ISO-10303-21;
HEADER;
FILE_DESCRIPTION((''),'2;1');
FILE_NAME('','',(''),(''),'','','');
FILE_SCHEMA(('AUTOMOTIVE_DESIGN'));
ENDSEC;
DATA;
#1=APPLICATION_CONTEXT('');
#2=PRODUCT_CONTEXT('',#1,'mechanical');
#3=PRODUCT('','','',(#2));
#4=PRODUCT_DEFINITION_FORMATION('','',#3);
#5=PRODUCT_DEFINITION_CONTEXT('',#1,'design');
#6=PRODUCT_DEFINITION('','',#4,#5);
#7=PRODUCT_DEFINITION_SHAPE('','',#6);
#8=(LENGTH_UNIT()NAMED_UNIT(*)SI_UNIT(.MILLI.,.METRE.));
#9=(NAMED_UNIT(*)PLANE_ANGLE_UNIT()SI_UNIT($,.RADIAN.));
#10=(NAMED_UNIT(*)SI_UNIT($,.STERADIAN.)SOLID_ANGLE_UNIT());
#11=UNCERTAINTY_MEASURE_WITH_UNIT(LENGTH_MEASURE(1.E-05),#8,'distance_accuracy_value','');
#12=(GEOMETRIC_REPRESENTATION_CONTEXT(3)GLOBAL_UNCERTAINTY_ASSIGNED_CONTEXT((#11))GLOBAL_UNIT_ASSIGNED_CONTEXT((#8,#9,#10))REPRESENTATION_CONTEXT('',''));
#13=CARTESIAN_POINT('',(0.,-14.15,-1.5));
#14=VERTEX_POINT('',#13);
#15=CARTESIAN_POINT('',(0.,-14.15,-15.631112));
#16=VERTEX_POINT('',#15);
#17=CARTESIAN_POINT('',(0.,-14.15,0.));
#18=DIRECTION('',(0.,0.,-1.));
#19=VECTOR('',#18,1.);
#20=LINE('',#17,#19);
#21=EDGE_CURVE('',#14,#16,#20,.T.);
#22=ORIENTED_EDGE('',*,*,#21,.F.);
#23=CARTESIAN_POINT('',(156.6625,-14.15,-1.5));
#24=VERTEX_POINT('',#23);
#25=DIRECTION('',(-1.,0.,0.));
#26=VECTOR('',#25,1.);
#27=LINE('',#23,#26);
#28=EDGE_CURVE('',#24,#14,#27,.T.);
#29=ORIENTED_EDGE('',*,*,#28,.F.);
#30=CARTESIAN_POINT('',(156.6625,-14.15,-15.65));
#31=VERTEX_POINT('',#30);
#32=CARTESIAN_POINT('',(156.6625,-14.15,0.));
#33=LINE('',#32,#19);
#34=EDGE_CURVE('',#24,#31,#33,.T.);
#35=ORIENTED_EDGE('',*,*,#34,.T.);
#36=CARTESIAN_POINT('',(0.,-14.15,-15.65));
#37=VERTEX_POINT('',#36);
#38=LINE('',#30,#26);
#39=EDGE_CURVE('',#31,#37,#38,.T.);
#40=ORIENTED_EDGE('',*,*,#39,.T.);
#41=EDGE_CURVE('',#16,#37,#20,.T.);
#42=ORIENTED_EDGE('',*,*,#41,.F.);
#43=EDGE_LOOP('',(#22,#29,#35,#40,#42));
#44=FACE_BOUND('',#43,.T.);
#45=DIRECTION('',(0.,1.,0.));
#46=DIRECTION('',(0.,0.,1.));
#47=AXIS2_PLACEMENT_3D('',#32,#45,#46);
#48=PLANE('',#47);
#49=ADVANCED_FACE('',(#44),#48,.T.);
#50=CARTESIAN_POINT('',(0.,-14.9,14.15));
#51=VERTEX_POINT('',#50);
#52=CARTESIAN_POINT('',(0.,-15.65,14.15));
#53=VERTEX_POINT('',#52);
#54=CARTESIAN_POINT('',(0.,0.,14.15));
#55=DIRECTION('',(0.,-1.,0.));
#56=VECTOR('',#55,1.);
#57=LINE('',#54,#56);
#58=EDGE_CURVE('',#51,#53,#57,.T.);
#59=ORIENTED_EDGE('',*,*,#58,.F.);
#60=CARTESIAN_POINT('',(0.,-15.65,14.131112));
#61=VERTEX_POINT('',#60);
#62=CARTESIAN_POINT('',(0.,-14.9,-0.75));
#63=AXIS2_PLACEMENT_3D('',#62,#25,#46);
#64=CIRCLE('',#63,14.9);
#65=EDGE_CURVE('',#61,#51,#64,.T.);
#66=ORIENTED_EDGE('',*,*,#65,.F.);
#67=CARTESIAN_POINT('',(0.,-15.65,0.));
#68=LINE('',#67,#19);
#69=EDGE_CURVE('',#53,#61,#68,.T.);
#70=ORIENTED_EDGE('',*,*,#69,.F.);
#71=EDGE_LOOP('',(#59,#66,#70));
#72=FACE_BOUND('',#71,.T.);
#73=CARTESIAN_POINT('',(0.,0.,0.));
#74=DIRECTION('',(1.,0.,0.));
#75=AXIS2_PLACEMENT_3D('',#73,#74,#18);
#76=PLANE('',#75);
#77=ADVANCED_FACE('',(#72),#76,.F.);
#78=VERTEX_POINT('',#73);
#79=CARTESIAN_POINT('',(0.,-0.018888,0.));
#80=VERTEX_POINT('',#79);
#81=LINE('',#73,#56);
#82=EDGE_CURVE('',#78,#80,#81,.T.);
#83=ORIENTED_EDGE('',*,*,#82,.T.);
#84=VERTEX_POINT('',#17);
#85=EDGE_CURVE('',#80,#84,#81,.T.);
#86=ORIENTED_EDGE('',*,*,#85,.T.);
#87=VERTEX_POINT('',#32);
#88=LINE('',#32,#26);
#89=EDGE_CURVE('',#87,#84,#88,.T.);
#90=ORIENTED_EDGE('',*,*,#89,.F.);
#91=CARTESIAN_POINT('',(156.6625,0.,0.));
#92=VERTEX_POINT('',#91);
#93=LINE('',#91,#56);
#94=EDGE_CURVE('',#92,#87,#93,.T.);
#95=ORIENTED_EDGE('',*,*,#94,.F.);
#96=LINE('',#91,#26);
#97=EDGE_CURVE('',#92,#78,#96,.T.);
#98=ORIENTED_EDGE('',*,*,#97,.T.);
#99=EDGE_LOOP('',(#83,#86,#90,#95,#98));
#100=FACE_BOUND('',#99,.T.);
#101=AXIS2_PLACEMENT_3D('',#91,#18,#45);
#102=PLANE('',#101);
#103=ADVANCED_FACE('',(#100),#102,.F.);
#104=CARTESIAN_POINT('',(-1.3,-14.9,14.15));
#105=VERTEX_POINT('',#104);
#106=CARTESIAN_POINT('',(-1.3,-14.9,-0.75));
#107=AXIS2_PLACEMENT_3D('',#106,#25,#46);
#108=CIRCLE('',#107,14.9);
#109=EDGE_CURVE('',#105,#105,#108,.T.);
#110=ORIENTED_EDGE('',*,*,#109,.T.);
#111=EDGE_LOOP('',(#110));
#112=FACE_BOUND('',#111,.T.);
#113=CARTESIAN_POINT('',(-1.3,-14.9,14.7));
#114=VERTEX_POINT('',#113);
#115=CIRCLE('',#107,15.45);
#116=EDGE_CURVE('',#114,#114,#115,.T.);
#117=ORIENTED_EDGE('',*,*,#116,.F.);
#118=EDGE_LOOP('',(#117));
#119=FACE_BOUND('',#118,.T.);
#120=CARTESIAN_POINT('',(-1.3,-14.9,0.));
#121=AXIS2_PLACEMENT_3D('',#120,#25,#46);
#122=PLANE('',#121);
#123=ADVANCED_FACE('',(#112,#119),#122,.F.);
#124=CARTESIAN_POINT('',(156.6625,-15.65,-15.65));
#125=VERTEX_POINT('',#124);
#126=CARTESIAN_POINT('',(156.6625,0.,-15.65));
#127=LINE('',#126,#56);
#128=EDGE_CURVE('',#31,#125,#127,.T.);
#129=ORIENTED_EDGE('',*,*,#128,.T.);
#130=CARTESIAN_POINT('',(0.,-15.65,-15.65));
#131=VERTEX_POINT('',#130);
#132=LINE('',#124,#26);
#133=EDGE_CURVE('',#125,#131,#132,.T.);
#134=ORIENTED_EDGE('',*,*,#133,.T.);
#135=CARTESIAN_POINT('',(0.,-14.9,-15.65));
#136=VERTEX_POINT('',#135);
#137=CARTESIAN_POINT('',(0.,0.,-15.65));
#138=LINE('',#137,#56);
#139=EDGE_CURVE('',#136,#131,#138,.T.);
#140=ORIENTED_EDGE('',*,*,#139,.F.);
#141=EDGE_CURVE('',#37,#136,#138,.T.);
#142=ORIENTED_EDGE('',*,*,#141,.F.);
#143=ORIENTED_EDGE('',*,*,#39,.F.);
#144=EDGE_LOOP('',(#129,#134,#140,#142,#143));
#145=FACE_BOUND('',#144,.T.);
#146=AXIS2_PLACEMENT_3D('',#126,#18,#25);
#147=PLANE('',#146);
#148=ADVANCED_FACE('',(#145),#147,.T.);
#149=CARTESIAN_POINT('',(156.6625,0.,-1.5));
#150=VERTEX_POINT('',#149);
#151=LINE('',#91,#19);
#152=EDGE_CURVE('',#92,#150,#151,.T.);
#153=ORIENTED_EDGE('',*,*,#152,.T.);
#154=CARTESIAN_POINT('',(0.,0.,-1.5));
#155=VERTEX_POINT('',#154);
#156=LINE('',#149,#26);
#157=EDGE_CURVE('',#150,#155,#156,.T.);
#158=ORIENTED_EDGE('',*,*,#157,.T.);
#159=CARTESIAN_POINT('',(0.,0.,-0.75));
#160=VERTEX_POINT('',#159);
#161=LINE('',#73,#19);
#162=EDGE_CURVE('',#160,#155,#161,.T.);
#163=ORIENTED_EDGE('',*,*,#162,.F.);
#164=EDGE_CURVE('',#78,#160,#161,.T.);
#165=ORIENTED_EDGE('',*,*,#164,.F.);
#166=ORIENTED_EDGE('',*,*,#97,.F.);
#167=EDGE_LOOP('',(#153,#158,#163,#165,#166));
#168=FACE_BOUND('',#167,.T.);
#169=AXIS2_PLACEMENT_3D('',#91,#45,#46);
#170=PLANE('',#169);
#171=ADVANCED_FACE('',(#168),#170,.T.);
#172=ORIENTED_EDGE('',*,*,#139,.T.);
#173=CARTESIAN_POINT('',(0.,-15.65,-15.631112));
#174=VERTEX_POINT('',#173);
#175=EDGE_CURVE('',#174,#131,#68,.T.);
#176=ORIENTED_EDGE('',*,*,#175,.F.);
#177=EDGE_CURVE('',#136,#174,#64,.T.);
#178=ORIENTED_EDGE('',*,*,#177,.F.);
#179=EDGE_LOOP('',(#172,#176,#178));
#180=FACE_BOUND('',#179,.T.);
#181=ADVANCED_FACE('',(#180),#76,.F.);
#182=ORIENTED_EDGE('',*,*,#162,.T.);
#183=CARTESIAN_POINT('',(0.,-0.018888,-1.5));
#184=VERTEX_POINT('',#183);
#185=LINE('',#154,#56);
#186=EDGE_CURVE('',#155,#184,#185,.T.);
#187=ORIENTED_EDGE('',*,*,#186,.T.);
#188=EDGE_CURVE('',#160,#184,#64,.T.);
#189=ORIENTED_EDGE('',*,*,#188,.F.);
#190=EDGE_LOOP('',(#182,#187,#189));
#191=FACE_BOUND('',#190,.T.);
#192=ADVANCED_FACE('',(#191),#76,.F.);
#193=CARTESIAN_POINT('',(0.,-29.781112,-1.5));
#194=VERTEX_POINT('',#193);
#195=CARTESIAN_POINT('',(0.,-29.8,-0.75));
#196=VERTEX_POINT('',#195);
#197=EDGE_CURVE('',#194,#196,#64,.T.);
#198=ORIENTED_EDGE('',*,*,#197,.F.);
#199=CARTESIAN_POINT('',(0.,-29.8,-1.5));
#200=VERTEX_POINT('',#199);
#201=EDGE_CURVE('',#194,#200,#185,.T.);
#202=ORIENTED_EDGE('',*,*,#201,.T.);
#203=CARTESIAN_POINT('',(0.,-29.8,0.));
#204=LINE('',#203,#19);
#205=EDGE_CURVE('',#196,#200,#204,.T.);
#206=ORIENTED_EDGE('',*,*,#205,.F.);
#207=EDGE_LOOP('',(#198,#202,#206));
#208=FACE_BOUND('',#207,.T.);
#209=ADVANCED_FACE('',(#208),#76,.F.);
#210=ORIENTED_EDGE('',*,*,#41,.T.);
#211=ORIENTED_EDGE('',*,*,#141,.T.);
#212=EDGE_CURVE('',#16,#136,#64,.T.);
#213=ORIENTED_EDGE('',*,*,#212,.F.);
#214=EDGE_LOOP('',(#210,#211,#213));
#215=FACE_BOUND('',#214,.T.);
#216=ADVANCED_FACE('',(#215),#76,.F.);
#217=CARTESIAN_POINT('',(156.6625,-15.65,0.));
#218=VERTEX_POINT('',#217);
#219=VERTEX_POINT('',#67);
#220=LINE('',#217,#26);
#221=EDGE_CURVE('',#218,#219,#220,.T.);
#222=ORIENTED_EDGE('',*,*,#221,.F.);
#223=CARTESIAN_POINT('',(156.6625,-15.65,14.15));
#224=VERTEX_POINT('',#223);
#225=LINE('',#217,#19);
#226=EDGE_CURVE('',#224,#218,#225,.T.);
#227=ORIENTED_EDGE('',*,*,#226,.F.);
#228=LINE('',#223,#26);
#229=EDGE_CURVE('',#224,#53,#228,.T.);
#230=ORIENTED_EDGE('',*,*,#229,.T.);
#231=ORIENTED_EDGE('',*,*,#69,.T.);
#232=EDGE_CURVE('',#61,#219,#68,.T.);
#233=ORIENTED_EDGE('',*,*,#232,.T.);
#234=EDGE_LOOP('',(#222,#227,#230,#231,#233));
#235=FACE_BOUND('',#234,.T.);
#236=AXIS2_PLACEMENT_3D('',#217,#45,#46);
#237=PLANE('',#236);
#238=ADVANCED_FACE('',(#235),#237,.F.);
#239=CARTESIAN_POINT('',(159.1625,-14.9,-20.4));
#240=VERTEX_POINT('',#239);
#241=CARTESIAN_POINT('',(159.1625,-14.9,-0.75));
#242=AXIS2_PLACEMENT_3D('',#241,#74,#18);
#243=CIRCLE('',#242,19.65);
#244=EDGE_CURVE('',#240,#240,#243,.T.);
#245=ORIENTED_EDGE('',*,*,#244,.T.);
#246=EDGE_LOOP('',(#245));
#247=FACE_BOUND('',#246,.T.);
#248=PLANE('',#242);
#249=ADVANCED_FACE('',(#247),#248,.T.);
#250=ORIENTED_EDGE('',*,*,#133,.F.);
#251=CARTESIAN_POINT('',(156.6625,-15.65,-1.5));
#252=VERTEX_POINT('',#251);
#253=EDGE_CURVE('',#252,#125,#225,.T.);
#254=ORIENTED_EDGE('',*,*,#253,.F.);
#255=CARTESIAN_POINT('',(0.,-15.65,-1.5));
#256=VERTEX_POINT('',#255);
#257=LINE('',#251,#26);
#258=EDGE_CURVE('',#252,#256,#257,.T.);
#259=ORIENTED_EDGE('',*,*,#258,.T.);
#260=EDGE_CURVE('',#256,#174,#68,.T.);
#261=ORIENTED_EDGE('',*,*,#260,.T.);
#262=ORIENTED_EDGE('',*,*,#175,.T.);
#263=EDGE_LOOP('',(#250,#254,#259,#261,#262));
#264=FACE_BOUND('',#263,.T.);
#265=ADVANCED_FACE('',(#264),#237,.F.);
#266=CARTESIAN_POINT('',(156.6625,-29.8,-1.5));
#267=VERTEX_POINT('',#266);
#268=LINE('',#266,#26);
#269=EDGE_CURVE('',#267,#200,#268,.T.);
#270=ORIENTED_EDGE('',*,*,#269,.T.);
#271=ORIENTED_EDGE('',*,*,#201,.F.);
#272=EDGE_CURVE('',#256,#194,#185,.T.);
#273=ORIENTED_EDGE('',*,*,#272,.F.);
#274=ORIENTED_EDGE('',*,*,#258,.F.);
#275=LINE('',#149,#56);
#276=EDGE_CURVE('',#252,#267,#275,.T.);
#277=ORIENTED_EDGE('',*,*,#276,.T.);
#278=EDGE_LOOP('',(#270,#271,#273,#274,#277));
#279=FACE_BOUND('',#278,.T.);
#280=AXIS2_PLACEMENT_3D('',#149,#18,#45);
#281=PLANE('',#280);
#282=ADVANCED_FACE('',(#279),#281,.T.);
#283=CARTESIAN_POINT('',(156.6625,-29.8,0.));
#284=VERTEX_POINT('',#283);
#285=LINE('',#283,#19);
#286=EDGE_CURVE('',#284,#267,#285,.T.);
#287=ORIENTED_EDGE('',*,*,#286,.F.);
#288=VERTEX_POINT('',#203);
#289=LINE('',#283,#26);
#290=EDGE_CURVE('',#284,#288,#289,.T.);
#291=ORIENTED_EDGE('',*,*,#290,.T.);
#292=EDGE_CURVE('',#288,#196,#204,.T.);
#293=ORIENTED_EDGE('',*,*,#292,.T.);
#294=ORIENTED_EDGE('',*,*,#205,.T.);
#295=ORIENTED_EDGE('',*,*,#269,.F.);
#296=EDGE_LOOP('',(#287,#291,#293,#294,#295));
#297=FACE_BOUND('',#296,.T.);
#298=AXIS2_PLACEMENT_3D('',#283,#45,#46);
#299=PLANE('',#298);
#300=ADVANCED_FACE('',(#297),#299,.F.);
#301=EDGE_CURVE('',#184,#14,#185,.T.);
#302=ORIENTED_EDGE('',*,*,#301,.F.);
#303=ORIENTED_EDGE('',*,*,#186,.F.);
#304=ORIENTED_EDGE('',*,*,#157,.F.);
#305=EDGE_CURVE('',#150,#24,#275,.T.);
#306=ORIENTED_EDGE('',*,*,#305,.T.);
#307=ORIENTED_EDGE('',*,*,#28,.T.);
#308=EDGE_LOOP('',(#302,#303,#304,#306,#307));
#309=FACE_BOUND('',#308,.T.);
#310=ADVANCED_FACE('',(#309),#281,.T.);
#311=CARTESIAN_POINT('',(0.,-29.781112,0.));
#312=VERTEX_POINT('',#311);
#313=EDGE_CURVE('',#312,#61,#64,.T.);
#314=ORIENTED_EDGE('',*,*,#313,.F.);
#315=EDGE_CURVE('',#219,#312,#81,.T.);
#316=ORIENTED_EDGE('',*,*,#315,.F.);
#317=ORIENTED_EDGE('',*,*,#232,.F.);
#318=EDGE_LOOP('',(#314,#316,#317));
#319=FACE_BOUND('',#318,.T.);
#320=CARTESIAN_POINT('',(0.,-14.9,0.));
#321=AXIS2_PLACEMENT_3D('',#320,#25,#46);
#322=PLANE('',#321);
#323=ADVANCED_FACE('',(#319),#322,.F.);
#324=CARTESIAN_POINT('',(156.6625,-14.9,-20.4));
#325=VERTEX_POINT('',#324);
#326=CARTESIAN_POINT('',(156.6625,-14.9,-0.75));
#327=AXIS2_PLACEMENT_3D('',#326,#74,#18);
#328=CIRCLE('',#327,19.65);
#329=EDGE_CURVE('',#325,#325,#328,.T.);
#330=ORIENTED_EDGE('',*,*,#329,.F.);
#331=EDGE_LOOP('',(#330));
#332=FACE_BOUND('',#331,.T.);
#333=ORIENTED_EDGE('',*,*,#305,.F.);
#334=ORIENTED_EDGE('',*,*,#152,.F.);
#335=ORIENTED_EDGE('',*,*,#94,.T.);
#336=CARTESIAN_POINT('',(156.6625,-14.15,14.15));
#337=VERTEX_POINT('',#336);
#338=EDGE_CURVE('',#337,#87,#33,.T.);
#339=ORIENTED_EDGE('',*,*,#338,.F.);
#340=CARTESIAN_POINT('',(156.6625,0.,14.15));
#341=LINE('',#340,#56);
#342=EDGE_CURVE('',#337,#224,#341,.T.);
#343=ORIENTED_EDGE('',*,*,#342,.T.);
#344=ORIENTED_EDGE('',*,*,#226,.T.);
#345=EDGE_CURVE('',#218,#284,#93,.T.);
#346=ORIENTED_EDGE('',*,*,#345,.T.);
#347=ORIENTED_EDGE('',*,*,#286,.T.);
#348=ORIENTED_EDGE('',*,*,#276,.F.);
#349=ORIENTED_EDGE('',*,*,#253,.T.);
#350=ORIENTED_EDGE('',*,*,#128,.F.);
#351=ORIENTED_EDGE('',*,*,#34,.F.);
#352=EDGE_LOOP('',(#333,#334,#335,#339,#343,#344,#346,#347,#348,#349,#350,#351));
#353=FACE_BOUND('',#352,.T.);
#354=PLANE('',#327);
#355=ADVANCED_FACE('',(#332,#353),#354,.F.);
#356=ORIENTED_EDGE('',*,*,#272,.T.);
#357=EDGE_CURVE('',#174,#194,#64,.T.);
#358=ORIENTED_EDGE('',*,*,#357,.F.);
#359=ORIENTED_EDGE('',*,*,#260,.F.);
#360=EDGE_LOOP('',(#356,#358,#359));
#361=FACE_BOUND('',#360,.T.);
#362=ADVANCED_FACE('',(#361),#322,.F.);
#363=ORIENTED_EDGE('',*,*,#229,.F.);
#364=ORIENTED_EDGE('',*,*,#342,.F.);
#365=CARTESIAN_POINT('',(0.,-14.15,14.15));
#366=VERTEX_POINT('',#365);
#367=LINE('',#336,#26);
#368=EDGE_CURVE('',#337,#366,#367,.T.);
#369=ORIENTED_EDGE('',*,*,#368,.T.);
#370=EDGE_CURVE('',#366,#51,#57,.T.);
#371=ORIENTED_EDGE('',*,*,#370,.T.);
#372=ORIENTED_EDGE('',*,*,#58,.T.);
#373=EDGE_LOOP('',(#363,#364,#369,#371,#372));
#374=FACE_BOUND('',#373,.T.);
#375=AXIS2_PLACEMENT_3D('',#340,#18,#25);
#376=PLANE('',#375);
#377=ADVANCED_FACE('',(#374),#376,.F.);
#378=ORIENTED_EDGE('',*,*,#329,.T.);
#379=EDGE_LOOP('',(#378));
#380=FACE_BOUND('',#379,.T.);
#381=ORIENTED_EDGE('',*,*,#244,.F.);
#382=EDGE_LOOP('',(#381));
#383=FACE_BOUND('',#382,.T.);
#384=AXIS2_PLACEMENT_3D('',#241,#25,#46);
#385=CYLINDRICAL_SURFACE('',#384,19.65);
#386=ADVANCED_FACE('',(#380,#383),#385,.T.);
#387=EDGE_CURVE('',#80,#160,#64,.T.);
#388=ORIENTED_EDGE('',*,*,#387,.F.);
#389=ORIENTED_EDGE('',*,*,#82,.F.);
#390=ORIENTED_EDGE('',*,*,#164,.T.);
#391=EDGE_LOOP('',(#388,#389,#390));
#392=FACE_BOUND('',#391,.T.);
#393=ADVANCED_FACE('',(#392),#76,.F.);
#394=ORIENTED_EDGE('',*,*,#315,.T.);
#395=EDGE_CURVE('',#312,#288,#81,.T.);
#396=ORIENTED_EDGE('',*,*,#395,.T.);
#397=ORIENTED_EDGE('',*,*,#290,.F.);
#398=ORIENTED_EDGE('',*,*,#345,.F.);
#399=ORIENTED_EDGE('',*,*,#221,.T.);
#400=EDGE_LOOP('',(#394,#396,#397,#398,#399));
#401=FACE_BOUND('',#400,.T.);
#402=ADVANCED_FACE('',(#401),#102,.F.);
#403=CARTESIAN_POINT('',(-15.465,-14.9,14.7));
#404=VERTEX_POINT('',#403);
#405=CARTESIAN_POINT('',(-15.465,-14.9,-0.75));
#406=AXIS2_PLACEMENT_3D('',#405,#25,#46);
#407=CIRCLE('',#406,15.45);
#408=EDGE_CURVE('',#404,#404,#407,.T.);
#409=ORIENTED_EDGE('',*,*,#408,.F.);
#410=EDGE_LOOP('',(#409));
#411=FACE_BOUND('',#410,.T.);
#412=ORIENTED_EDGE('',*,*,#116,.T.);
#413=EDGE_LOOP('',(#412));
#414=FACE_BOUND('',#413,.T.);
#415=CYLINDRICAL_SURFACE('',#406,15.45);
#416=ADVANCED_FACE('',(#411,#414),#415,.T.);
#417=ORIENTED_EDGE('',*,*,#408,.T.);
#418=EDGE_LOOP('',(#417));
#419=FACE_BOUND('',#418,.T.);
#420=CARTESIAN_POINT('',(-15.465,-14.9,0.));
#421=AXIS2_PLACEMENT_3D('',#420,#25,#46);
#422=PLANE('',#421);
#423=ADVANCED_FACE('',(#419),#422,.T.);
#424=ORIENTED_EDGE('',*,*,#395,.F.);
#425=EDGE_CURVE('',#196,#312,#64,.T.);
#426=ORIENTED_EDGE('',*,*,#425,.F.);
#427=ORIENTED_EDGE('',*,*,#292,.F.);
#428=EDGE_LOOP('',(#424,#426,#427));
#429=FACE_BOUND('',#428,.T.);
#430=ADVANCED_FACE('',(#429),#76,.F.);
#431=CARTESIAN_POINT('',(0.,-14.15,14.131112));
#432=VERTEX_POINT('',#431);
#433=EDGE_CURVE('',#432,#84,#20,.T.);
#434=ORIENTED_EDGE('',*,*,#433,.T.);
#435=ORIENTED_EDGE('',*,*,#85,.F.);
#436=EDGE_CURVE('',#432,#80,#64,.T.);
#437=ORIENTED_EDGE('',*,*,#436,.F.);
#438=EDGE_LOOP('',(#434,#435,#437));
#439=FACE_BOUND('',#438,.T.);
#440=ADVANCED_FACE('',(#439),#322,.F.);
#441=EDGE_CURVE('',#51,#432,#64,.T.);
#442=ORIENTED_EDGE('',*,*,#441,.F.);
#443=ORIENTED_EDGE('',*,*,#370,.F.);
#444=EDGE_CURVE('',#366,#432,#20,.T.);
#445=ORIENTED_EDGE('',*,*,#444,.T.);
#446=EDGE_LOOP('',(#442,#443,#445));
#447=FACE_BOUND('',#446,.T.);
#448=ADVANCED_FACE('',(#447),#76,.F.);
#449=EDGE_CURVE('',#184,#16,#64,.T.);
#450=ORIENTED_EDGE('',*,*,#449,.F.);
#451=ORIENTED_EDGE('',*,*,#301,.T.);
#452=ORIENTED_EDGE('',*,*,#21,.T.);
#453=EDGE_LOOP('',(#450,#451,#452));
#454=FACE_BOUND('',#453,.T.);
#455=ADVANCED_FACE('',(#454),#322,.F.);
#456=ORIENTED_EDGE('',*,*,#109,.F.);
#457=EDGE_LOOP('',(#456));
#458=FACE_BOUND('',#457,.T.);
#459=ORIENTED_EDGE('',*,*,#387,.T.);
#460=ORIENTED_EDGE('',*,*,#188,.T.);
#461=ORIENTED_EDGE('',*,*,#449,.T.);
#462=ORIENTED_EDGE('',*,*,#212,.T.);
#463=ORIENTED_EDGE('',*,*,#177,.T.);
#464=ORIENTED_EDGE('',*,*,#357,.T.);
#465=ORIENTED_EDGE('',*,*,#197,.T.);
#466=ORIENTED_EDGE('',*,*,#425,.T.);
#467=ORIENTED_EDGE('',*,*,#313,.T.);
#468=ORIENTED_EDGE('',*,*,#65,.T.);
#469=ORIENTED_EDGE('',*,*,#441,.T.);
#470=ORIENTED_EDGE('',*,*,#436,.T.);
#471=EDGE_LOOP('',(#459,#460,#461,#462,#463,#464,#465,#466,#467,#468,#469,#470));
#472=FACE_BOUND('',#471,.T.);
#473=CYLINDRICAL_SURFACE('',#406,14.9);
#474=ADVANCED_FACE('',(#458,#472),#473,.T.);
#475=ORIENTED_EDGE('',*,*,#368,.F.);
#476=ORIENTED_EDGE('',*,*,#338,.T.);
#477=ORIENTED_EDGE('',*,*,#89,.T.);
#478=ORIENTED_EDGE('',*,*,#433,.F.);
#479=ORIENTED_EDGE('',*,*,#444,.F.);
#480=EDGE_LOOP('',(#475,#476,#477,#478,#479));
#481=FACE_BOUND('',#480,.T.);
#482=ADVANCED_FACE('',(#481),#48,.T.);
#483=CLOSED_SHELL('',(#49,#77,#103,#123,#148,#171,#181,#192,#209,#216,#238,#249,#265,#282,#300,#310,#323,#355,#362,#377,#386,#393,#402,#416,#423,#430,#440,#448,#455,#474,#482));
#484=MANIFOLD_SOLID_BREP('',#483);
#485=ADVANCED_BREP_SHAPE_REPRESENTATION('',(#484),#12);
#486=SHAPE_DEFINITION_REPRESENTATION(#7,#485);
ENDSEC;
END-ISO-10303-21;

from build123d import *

# Parameters (mm, degrees)
BOSS_EXTRUDE1_DEPTH = 156.6625
SKETCH2_R           = 19.65
BOSS_EXTRUDE2_DEPTH = 2.5


with BuildPart() as part:
    # Sketch1 → Boss-Extrude1 (new body)
    with BuildSketch(Plane(origin=(0, 0, 0), x_dir=(0, 0, -1), z_dir=(1, 0, 0))):
        Polygon((1.5, 0), (0, 0), (0, -14.15), (-14.15, -14.15), (-14.15, -15.65), (0, -15.65), (0, -29.8), (1.5, -29.8), (1.5, -15.65), (15.65, -15.65), (15.65, -14.15), (1.5, -14.15), align=None)
    extrude(amount=BOSS_EXTRUDE1_DEPTH)

    # Sketch2 → Boss-Extrude2 (add)
    with BuildSketch(Plane(origin=(156.6625, 0, 0), x_dir=(0, 0, -1), z_dir=(1, 0, 0))):
        with Locations((0.75, -14.9)):
            Circle(SKETCH2_R)
    extrude(amount=BOSS_EXTRUDE2_DEPTH)

    # Sketch5 → Revolve2 (revolve)
    with BuildSketch(Plane(origin=(0, -14.9, 0), x_dir=(1, 0, 0), z_dir=(0, 1, 0))):
        Polygon((0, 15.65), (-1.3, 15.65), (-1.3, 16.2), (-15.465, 16.2), (-15.465, 0.75), (0, 0.75), align=None)
    revolve(axis=Axis((-15.465, -14.9, -0.75), (1, 0, 0)))


solid = part.part
